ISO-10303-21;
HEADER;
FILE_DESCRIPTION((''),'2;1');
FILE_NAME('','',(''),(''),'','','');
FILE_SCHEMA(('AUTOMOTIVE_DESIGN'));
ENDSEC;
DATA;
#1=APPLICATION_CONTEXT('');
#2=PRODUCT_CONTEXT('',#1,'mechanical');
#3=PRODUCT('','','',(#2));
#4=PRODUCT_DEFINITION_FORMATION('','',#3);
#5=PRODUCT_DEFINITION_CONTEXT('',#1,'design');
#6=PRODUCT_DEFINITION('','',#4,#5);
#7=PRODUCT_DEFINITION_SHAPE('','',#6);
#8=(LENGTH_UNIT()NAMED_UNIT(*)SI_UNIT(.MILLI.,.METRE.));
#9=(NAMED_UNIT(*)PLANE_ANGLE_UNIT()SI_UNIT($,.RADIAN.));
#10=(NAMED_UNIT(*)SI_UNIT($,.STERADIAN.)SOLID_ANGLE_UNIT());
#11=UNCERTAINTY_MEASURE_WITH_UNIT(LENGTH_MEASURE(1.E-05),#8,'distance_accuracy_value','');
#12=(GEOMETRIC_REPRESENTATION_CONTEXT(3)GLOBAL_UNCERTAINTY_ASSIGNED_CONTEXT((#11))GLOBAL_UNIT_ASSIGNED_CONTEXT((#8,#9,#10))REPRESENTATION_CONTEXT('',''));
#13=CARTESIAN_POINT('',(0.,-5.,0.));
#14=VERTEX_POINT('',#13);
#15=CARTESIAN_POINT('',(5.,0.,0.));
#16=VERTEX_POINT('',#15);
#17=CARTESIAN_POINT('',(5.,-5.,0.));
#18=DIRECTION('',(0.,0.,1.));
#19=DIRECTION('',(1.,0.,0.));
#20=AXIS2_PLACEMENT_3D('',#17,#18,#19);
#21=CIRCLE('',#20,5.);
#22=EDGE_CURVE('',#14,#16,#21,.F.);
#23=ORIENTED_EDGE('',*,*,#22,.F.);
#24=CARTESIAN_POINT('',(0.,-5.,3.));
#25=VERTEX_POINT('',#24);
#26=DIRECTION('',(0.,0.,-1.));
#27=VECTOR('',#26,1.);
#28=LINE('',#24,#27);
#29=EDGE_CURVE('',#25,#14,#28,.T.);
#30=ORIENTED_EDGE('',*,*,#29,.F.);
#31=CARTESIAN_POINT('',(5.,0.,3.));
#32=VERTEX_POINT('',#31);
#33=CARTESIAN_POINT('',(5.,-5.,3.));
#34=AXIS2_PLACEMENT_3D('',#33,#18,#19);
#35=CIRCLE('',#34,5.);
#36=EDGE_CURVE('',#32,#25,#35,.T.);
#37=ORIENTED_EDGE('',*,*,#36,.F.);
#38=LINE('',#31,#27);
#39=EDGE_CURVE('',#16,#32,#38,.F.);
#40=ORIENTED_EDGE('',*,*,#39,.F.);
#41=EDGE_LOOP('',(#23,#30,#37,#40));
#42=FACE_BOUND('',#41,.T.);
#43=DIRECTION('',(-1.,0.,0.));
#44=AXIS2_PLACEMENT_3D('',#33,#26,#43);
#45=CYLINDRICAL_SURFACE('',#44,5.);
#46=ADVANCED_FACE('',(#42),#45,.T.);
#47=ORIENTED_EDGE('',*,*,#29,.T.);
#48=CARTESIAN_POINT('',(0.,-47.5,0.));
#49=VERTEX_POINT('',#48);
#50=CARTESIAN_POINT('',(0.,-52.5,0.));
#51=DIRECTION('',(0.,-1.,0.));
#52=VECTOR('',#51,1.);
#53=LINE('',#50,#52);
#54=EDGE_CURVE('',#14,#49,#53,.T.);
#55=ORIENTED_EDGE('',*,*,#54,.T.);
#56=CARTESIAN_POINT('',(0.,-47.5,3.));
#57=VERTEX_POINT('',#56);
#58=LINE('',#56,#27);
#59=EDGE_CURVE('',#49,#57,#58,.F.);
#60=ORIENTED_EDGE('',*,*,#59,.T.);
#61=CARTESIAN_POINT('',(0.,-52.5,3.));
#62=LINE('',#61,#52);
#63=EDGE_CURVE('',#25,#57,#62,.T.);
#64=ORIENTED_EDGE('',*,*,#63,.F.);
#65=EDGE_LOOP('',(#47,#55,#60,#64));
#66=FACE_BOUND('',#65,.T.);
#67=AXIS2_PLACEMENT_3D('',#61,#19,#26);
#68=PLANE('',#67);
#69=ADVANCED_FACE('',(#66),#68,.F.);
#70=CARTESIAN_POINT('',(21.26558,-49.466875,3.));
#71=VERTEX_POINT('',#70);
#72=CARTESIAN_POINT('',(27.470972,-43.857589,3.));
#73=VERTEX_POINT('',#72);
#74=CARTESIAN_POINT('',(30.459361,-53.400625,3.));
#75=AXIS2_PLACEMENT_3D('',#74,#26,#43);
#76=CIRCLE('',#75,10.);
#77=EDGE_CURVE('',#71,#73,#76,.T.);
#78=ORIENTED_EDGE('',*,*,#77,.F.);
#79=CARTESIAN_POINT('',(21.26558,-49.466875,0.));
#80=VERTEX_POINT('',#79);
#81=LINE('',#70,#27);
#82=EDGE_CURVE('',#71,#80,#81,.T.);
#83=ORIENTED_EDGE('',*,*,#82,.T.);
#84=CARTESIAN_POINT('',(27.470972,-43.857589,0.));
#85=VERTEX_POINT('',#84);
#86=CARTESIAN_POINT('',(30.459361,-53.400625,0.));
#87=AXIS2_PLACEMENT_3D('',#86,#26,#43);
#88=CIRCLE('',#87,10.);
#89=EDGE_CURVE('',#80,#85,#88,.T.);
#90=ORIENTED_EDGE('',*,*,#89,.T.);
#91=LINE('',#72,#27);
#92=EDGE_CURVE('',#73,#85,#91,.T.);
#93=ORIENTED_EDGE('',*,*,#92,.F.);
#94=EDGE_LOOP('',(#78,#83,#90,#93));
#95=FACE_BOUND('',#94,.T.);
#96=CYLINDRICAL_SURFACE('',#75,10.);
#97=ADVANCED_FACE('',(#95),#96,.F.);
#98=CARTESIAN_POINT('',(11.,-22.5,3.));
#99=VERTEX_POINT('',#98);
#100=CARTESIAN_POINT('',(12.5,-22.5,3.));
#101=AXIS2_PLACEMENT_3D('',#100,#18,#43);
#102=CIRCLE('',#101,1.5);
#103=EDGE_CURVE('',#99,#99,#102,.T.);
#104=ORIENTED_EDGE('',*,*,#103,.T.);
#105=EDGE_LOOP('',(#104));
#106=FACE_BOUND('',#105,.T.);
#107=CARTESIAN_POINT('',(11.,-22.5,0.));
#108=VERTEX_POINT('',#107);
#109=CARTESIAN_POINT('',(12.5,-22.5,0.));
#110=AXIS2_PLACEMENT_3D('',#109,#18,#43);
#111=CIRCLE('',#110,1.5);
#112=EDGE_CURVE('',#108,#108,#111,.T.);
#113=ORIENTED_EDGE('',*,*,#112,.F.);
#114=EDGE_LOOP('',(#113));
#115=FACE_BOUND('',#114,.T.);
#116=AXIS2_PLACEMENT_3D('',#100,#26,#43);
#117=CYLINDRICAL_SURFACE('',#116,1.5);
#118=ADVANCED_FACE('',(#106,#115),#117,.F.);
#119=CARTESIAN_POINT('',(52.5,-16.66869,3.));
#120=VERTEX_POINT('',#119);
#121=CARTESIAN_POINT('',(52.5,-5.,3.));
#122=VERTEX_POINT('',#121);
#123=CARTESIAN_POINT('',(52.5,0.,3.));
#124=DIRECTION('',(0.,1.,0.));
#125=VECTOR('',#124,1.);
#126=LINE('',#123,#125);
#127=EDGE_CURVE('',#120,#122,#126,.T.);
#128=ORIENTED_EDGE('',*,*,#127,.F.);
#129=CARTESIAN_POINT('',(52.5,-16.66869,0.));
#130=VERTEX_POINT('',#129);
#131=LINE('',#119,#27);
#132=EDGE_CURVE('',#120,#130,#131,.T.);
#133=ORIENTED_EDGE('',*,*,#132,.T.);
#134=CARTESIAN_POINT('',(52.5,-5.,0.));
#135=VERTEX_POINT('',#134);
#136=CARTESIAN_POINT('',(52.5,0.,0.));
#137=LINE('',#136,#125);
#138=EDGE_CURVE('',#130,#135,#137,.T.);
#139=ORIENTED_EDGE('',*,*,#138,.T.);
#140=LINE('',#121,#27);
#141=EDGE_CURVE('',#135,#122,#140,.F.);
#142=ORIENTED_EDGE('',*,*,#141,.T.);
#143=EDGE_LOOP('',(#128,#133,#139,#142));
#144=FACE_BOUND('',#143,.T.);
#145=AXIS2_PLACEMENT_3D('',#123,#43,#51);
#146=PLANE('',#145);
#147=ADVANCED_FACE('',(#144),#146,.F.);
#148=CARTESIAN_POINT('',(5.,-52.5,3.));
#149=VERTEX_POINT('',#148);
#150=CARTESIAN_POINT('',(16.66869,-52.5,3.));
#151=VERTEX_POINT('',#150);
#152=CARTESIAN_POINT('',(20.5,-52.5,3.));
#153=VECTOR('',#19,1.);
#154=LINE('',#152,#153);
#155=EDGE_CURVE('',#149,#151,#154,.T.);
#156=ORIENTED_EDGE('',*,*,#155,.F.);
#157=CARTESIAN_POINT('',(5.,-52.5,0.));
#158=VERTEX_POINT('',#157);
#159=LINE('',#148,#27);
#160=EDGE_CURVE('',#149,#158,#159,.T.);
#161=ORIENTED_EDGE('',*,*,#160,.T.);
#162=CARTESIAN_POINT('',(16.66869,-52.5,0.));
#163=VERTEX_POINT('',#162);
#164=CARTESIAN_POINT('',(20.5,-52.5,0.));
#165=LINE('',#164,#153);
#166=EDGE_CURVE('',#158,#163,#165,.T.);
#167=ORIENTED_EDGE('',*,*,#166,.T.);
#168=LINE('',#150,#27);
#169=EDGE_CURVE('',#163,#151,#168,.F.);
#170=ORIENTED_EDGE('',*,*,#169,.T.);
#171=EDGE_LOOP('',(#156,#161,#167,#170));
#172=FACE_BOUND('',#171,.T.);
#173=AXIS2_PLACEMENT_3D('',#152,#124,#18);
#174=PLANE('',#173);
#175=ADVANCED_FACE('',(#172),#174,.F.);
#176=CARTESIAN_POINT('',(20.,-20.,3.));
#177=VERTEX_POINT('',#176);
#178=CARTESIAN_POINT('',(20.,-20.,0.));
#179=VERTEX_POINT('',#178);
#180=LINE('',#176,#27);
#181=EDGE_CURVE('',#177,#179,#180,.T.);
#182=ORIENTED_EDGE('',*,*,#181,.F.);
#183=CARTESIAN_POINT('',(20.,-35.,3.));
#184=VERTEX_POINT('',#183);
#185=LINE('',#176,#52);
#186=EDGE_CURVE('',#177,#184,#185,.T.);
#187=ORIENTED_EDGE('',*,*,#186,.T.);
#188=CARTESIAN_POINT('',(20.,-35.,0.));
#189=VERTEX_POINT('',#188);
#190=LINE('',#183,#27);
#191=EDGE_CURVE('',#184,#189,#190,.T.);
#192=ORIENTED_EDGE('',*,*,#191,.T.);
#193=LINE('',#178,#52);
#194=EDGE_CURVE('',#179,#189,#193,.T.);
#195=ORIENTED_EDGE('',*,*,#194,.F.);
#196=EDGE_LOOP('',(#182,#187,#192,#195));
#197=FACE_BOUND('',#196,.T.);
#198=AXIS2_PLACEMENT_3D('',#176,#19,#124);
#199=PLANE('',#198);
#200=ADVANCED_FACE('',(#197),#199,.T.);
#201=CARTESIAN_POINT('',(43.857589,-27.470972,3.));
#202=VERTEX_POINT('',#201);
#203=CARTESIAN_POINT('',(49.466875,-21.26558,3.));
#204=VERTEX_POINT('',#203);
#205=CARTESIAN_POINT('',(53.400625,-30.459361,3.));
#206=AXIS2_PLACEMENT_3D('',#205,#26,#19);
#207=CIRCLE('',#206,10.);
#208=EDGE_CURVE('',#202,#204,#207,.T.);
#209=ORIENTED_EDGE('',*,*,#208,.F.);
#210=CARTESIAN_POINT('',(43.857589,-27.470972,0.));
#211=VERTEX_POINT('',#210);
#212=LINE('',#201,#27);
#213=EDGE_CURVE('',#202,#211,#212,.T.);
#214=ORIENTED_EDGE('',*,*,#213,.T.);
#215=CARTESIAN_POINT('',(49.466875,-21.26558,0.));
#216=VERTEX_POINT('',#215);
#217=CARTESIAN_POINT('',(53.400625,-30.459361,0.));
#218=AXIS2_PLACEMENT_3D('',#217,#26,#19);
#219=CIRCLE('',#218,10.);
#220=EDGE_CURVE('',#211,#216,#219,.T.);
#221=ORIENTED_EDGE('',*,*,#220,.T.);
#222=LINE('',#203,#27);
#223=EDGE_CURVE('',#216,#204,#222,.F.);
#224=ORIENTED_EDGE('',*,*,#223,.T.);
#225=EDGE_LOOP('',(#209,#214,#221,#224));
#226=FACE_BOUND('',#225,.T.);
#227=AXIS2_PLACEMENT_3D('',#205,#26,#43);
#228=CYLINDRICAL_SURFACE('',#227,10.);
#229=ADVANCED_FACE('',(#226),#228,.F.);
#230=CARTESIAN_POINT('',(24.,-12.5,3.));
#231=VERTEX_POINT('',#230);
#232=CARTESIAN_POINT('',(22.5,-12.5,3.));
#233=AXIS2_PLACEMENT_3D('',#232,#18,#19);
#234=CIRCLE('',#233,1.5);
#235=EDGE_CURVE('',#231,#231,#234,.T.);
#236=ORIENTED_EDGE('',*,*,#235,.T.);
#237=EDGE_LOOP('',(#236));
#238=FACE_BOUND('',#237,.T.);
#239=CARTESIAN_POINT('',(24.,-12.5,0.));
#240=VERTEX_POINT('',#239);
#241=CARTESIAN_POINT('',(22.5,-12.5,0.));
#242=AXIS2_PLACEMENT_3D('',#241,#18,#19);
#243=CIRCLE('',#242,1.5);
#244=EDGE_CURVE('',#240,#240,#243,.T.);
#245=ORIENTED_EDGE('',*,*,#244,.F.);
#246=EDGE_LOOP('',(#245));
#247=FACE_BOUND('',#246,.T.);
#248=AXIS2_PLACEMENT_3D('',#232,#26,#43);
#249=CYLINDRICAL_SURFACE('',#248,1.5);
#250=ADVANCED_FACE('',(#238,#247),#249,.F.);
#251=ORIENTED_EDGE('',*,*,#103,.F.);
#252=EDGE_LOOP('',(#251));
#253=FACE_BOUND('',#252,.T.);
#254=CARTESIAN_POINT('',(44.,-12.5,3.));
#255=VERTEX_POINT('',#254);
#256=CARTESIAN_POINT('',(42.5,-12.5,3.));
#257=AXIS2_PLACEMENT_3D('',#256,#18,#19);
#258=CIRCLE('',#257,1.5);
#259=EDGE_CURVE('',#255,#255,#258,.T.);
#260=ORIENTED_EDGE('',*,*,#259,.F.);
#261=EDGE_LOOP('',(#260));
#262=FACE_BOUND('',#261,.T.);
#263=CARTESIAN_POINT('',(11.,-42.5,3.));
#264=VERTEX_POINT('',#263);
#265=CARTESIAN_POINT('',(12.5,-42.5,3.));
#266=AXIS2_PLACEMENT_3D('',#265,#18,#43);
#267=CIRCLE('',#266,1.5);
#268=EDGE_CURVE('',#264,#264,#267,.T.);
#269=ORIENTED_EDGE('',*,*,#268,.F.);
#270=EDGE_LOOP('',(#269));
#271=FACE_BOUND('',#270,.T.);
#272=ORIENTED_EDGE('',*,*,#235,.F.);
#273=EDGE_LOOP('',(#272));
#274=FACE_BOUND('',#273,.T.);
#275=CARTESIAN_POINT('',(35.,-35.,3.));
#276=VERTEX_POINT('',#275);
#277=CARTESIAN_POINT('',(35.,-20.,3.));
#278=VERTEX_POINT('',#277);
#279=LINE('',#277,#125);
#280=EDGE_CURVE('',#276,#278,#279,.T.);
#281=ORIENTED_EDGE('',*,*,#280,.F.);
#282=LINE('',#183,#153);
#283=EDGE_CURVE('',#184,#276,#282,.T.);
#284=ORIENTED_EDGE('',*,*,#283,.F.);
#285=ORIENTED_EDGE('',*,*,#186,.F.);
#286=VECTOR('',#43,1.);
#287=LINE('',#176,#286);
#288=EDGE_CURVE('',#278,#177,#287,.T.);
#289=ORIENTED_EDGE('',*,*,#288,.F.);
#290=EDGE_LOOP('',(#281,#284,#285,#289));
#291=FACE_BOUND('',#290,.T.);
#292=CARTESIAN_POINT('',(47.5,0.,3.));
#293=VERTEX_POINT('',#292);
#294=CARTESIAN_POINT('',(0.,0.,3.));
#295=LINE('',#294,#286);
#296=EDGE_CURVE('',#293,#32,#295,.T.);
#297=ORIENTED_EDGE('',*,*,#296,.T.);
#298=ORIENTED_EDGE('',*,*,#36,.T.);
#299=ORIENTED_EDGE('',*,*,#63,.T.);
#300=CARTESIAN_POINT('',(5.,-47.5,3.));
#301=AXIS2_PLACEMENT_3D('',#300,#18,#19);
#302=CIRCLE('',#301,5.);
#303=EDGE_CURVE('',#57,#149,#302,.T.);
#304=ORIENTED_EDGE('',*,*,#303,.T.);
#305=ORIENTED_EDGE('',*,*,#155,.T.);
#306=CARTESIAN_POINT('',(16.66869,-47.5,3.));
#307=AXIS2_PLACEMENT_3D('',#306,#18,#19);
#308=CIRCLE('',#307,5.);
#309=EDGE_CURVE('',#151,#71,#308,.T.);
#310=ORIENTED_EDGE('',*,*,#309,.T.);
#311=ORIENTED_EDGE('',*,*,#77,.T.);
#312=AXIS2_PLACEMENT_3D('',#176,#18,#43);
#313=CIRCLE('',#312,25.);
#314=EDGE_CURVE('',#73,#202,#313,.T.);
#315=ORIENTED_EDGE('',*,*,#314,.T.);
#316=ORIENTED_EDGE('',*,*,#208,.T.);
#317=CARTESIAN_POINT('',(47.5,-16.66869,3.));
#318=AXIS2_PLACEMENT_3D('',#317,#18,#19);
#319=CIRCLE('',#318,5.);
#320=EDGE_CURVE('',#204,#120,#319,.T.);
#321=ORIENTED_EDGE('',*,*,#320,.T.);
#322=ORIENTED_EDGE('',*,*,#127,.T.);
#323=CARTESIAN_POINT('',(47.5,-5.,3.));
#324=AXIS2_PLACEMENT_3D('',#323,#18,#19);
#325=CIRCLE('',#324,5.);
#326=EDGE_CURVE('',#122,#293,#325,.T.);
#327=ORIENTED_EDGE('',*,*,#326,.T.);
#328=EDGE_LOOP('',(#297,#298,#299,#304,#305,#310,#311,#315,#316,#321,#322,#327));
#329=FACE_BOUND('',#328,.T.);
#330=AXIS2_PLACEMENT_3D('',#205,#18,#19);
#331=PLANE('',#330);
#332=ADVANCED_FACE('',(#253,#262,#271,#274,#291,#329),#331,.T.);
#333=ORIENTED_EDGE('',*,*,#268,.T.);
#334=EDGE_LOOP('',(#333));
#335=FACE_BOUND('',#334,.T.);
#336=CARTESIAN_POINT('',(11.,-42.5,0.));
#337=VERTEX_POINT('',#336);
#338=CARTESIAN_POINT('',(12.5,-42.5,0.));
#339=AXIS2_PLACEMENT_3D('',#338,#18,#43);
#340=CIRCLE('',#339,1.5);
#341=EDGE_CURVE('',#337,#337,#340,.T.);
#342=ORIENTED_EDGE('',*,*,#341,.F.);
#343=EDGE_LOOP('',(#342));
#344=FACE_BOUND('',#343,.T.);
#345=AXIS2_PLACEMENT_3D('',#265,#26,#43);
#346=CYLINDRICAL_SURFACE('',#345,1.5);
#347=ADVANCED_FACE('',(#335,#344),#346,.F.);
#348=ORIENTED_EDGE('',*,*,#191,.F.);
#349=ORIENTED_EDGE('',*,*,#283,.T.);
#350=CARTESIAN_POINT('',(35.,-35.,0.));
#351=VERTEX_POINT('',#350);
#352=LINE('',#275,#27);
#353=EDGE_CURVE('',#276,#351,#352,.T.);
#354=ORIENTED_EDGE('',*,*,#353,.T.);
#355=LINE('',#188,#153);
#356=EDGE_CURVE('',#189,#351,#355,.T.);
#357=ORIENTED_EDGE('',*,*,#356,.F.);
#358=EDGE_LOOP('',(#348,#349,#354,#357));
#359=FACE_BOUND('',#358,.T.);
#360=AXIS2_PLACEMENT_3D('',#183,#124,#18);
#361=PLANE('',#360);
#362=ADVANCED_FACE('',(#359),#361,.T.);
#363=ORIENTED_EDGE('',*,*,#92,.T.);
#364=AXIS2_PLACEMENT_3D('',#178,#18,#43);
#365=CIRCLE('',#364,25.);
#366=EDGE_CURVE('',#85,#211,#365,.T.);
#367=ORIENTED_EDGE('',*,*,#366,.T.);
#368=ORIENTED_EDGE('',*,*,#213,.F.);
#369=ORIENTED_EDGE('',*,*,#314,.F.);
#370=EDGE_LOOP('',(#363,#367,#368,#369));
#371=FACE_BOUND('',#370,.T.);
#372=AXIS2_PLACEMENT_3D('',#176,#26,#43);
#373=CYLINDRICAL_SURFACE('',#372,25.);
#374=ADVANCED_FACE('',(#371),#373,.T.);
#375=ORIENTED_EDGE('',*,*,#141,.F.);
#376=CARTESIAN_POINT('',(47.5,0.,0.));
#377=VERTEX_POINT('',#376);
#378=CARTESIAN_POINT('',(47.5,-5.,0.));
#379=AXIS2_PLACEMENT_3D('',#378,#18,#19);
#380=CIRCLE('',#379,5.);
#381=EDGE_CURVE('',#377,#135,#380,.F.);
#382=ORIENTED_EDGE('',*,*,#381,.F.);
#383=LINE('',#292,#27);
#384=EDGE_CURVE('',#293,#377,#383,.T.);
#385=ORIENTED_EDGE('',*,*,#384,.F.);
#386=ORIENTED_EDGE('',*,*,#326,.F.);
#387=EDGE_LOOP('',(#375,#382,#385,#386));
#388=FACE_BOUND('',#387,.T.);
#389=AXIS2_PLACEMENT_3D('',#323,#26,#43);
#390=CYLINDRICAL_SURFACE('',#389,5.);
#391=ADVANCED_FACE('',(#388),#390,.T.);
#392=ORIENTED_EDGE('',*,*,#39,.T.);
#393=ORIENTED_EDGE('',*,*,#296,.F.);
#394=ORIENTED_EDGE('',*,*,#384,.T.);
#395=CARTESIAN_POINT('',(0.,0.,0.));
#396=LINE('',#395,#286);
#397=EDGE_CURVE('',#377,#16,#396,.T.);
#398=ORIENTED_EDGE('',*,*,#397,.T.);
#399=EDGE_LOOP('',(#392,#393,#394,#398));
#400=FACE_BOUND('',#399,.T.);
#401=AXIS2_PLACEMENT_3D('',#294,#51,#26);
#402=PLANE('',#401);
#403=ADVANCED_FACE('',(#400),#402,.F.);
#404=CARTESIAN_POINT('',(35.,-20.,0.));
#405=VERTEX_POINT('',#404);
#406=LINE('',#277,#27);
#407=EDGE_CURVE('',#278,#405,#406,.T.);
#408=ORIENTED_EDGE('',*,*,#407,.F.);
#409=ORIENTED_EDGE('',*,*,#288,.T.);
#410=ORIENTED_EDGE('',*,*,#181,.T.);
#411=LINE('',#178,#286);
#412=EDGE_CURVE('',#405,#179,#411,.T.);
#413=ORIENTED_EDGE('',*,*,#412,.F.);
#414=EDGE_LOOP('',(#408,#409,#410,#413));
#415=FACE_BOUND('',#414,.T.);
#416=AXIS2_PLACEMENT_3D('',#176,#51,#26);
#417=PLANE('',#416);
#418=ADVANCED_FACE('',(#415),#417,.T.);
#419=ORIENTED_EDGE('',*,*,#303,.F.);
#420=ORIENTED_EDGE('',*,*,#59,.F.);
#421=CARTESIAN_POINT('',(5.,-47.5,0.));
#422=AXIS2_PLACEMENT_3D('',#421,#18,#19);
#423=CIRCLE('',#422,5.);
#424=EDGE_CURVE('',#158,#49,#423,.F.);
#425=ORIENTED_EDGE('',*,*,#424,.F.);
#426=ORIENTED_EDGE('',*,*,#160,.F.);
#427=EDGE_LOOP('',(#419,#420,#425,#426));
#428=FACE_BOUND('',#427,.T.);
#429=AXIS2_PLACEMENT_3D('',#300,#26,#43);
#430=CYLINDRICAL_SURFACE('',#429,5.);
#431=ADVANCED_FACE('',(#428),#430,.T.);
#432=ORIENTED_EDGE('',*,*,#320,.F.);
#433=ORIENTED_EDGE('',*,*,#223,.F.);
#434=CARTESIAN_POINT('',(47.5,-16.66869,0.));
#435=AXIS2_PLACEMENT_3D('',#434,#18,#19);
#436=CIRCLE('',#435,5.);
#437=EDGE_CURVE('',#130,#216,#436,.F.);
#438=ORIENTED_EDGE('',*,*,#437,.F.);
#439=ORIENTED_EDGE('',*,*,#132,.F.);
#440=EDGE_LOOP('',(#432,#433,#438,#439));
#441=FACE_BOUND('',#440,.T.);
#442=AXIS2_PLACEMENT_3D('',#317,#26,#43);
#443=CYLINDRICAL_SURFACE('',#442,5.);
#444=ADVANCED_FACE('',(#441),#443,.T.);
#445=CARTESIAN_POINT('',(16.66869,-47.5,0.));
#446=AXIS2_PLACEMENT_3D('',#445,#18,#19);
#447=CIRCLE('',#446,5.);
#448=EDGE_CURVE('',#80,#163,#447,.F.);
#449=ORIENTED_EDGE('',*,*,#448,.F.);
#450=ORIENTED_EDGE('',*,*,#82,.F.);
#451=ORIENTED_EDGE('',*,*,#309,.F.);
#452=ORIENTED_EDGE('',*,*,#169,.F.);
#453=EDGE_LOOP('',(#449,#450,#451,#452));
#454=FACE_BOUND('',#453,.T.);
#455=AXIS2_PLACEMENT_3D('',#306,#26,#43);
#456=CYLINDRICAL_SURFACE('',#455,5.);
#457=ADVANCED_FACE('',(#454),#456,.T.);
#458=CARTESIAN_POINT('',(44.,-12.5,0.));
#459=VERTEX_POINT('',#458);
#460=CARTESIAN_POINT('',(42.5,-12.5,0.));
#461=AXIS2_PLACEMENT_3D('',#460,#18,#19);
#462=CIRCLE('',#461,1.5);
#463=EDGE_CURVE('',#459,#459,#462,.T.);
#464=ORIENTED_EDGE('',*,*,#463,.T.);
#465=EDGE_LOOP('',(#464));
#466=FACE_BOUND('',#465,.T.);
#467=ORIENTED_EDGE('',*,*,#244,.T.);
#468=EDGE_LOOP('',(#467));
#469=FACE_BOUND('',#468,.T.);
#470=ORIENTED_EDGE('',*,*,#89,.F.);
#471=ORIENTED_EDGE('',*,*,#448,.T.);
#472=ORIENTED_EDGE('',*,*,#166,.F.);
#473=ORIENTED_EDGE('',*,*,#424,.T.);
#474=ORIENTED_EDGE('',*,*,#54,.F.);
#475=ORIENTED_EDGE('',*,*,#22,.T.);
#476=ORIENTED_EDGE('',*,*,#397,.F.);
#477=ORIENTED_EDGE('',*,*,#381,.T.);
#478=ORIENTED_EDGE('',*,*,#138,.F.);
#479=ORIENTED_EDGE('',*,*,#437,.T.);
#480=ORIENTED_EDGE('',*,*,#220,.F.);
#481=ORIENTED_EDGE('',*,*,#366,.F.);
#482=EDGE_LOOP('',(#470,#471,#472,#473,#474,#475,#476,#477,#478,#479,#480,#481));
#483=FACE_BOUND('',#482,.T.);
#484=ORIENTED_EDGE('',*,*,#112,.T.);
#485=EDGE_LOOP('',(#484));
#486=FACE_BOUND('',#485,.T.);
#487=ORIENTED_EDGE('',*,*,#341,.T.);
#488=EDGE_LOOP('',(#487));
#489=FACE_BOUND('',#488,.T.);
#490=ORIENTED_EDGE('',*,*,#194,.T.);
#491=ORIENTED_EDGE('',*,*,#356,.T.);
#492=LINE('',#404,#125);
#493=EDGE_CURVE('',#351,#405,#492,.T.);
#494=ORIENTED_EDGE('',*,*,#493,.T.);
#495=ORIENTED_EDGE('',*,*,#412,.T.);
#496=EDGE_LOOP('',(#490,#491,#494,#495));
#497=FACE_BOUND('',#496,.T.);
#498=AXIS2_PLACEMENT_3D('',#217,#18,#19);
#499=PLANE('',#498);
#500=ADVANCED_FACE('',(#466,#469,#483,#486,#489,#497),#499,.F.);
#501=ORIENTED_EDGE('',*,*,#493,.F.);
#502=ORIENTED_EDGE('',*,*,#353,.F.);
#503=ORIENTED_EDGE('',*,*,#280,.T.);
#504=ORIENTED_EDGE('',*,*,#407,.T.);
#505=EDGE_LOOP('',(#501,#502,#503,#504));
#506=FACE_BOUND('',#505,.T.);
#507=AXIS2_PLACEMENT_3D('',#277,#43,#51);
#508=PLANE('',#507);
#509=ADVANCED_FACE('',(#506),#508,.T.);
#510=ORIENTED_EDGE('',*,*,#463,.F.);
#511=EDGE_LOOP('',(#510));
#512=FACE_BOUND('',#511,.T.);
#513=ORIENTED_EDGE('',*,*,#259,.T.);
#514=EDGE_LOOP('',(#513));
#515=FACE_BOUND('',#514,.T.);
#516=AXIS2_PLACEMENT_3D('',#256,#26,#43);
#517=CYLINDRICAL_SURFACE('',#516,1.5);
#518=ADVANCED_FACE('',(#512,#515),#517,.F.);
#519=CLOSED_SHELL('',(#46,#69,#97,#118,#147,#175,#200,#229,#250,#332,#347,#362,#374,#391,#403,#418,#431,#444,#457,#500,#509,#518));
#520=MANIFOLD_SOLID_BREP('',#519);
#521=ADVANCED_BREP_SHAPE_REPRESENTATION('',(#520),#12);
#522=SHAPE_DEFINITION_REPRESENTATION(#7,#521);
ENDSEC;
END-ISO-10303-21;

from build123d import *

# Parameters (mm, degrees)
SKETCH_1_R      = 1.5
SKETCH_1_W      = 15
SKETCH_1_H      = 15
EXTRUDE_1_DEPTH = 3
FILLET_1_R      = 5


with BuildPart() as part:
    # 草图1 → 凸台-拉伸1 (new body)
    with BuildSketch(Plane.XY):
        with BuildLine():
            Line((0, 0), (52.5, 0))
            Line((52.5, 0), (52.5, -20.5))
            ThreePointArc((52.5, -20.5), (47.122398776, -22.675796862), (43.857589438, -27.47097224))
            ThreePointArc((43.857589438, -27.47097224), (37.67766953, -37.67766953), (27.47097224, -43.857589438))
            ThreePointArc((27.47097224, -43.857589438), (22.675796862, -47.122398776), (20.5, -52.5))
            Line((20.5, -52.5), (0, -52.5))
            Line((0, -52.5), (0, 0))
        make_face()
        with Locations((22.5, -12.5)):
            Circle(SKETCH_1_R, mode=Mode.SUBTRACT)
        with Locations((42.5, -12.5)):
            Circle(SKETCH_1_R, mode=Mode.SUBTRACT)
        with Locations(Location((12.5, -42.5, 0), (0, 0, 180))):
            Circle(SKETCH_1_R, mode=Mode.SUBTRACT)
        with Locations(Location((12.5, -22.5, 0), (0, 0, 180))):
            Circle(SKETCH_1_R, mode=Mode.SUBTRACT)
        with Locations((27.5, -27.5)):
            Rectangle(SKETCH_1_W, SKETCH_1_H, mode=Mode.SUBTRACT)
    extrude(amount=EXTRUDE_1_DEPTH)

    # 圆角1
    fillet_1_edges = [part.edges().sort_by_distance(p)[0] for p in [
        (0, 0, 1.5),
        (52.5, 0, 1.5),
        (52.5, -20.5, 1.5),
        (20.5, -52.5, 1.5),
        (0, -52.5, 1.5),
    ]]
    fillet(fillet_1_edges, radius=FILLET_1_R)


solid = part.part
